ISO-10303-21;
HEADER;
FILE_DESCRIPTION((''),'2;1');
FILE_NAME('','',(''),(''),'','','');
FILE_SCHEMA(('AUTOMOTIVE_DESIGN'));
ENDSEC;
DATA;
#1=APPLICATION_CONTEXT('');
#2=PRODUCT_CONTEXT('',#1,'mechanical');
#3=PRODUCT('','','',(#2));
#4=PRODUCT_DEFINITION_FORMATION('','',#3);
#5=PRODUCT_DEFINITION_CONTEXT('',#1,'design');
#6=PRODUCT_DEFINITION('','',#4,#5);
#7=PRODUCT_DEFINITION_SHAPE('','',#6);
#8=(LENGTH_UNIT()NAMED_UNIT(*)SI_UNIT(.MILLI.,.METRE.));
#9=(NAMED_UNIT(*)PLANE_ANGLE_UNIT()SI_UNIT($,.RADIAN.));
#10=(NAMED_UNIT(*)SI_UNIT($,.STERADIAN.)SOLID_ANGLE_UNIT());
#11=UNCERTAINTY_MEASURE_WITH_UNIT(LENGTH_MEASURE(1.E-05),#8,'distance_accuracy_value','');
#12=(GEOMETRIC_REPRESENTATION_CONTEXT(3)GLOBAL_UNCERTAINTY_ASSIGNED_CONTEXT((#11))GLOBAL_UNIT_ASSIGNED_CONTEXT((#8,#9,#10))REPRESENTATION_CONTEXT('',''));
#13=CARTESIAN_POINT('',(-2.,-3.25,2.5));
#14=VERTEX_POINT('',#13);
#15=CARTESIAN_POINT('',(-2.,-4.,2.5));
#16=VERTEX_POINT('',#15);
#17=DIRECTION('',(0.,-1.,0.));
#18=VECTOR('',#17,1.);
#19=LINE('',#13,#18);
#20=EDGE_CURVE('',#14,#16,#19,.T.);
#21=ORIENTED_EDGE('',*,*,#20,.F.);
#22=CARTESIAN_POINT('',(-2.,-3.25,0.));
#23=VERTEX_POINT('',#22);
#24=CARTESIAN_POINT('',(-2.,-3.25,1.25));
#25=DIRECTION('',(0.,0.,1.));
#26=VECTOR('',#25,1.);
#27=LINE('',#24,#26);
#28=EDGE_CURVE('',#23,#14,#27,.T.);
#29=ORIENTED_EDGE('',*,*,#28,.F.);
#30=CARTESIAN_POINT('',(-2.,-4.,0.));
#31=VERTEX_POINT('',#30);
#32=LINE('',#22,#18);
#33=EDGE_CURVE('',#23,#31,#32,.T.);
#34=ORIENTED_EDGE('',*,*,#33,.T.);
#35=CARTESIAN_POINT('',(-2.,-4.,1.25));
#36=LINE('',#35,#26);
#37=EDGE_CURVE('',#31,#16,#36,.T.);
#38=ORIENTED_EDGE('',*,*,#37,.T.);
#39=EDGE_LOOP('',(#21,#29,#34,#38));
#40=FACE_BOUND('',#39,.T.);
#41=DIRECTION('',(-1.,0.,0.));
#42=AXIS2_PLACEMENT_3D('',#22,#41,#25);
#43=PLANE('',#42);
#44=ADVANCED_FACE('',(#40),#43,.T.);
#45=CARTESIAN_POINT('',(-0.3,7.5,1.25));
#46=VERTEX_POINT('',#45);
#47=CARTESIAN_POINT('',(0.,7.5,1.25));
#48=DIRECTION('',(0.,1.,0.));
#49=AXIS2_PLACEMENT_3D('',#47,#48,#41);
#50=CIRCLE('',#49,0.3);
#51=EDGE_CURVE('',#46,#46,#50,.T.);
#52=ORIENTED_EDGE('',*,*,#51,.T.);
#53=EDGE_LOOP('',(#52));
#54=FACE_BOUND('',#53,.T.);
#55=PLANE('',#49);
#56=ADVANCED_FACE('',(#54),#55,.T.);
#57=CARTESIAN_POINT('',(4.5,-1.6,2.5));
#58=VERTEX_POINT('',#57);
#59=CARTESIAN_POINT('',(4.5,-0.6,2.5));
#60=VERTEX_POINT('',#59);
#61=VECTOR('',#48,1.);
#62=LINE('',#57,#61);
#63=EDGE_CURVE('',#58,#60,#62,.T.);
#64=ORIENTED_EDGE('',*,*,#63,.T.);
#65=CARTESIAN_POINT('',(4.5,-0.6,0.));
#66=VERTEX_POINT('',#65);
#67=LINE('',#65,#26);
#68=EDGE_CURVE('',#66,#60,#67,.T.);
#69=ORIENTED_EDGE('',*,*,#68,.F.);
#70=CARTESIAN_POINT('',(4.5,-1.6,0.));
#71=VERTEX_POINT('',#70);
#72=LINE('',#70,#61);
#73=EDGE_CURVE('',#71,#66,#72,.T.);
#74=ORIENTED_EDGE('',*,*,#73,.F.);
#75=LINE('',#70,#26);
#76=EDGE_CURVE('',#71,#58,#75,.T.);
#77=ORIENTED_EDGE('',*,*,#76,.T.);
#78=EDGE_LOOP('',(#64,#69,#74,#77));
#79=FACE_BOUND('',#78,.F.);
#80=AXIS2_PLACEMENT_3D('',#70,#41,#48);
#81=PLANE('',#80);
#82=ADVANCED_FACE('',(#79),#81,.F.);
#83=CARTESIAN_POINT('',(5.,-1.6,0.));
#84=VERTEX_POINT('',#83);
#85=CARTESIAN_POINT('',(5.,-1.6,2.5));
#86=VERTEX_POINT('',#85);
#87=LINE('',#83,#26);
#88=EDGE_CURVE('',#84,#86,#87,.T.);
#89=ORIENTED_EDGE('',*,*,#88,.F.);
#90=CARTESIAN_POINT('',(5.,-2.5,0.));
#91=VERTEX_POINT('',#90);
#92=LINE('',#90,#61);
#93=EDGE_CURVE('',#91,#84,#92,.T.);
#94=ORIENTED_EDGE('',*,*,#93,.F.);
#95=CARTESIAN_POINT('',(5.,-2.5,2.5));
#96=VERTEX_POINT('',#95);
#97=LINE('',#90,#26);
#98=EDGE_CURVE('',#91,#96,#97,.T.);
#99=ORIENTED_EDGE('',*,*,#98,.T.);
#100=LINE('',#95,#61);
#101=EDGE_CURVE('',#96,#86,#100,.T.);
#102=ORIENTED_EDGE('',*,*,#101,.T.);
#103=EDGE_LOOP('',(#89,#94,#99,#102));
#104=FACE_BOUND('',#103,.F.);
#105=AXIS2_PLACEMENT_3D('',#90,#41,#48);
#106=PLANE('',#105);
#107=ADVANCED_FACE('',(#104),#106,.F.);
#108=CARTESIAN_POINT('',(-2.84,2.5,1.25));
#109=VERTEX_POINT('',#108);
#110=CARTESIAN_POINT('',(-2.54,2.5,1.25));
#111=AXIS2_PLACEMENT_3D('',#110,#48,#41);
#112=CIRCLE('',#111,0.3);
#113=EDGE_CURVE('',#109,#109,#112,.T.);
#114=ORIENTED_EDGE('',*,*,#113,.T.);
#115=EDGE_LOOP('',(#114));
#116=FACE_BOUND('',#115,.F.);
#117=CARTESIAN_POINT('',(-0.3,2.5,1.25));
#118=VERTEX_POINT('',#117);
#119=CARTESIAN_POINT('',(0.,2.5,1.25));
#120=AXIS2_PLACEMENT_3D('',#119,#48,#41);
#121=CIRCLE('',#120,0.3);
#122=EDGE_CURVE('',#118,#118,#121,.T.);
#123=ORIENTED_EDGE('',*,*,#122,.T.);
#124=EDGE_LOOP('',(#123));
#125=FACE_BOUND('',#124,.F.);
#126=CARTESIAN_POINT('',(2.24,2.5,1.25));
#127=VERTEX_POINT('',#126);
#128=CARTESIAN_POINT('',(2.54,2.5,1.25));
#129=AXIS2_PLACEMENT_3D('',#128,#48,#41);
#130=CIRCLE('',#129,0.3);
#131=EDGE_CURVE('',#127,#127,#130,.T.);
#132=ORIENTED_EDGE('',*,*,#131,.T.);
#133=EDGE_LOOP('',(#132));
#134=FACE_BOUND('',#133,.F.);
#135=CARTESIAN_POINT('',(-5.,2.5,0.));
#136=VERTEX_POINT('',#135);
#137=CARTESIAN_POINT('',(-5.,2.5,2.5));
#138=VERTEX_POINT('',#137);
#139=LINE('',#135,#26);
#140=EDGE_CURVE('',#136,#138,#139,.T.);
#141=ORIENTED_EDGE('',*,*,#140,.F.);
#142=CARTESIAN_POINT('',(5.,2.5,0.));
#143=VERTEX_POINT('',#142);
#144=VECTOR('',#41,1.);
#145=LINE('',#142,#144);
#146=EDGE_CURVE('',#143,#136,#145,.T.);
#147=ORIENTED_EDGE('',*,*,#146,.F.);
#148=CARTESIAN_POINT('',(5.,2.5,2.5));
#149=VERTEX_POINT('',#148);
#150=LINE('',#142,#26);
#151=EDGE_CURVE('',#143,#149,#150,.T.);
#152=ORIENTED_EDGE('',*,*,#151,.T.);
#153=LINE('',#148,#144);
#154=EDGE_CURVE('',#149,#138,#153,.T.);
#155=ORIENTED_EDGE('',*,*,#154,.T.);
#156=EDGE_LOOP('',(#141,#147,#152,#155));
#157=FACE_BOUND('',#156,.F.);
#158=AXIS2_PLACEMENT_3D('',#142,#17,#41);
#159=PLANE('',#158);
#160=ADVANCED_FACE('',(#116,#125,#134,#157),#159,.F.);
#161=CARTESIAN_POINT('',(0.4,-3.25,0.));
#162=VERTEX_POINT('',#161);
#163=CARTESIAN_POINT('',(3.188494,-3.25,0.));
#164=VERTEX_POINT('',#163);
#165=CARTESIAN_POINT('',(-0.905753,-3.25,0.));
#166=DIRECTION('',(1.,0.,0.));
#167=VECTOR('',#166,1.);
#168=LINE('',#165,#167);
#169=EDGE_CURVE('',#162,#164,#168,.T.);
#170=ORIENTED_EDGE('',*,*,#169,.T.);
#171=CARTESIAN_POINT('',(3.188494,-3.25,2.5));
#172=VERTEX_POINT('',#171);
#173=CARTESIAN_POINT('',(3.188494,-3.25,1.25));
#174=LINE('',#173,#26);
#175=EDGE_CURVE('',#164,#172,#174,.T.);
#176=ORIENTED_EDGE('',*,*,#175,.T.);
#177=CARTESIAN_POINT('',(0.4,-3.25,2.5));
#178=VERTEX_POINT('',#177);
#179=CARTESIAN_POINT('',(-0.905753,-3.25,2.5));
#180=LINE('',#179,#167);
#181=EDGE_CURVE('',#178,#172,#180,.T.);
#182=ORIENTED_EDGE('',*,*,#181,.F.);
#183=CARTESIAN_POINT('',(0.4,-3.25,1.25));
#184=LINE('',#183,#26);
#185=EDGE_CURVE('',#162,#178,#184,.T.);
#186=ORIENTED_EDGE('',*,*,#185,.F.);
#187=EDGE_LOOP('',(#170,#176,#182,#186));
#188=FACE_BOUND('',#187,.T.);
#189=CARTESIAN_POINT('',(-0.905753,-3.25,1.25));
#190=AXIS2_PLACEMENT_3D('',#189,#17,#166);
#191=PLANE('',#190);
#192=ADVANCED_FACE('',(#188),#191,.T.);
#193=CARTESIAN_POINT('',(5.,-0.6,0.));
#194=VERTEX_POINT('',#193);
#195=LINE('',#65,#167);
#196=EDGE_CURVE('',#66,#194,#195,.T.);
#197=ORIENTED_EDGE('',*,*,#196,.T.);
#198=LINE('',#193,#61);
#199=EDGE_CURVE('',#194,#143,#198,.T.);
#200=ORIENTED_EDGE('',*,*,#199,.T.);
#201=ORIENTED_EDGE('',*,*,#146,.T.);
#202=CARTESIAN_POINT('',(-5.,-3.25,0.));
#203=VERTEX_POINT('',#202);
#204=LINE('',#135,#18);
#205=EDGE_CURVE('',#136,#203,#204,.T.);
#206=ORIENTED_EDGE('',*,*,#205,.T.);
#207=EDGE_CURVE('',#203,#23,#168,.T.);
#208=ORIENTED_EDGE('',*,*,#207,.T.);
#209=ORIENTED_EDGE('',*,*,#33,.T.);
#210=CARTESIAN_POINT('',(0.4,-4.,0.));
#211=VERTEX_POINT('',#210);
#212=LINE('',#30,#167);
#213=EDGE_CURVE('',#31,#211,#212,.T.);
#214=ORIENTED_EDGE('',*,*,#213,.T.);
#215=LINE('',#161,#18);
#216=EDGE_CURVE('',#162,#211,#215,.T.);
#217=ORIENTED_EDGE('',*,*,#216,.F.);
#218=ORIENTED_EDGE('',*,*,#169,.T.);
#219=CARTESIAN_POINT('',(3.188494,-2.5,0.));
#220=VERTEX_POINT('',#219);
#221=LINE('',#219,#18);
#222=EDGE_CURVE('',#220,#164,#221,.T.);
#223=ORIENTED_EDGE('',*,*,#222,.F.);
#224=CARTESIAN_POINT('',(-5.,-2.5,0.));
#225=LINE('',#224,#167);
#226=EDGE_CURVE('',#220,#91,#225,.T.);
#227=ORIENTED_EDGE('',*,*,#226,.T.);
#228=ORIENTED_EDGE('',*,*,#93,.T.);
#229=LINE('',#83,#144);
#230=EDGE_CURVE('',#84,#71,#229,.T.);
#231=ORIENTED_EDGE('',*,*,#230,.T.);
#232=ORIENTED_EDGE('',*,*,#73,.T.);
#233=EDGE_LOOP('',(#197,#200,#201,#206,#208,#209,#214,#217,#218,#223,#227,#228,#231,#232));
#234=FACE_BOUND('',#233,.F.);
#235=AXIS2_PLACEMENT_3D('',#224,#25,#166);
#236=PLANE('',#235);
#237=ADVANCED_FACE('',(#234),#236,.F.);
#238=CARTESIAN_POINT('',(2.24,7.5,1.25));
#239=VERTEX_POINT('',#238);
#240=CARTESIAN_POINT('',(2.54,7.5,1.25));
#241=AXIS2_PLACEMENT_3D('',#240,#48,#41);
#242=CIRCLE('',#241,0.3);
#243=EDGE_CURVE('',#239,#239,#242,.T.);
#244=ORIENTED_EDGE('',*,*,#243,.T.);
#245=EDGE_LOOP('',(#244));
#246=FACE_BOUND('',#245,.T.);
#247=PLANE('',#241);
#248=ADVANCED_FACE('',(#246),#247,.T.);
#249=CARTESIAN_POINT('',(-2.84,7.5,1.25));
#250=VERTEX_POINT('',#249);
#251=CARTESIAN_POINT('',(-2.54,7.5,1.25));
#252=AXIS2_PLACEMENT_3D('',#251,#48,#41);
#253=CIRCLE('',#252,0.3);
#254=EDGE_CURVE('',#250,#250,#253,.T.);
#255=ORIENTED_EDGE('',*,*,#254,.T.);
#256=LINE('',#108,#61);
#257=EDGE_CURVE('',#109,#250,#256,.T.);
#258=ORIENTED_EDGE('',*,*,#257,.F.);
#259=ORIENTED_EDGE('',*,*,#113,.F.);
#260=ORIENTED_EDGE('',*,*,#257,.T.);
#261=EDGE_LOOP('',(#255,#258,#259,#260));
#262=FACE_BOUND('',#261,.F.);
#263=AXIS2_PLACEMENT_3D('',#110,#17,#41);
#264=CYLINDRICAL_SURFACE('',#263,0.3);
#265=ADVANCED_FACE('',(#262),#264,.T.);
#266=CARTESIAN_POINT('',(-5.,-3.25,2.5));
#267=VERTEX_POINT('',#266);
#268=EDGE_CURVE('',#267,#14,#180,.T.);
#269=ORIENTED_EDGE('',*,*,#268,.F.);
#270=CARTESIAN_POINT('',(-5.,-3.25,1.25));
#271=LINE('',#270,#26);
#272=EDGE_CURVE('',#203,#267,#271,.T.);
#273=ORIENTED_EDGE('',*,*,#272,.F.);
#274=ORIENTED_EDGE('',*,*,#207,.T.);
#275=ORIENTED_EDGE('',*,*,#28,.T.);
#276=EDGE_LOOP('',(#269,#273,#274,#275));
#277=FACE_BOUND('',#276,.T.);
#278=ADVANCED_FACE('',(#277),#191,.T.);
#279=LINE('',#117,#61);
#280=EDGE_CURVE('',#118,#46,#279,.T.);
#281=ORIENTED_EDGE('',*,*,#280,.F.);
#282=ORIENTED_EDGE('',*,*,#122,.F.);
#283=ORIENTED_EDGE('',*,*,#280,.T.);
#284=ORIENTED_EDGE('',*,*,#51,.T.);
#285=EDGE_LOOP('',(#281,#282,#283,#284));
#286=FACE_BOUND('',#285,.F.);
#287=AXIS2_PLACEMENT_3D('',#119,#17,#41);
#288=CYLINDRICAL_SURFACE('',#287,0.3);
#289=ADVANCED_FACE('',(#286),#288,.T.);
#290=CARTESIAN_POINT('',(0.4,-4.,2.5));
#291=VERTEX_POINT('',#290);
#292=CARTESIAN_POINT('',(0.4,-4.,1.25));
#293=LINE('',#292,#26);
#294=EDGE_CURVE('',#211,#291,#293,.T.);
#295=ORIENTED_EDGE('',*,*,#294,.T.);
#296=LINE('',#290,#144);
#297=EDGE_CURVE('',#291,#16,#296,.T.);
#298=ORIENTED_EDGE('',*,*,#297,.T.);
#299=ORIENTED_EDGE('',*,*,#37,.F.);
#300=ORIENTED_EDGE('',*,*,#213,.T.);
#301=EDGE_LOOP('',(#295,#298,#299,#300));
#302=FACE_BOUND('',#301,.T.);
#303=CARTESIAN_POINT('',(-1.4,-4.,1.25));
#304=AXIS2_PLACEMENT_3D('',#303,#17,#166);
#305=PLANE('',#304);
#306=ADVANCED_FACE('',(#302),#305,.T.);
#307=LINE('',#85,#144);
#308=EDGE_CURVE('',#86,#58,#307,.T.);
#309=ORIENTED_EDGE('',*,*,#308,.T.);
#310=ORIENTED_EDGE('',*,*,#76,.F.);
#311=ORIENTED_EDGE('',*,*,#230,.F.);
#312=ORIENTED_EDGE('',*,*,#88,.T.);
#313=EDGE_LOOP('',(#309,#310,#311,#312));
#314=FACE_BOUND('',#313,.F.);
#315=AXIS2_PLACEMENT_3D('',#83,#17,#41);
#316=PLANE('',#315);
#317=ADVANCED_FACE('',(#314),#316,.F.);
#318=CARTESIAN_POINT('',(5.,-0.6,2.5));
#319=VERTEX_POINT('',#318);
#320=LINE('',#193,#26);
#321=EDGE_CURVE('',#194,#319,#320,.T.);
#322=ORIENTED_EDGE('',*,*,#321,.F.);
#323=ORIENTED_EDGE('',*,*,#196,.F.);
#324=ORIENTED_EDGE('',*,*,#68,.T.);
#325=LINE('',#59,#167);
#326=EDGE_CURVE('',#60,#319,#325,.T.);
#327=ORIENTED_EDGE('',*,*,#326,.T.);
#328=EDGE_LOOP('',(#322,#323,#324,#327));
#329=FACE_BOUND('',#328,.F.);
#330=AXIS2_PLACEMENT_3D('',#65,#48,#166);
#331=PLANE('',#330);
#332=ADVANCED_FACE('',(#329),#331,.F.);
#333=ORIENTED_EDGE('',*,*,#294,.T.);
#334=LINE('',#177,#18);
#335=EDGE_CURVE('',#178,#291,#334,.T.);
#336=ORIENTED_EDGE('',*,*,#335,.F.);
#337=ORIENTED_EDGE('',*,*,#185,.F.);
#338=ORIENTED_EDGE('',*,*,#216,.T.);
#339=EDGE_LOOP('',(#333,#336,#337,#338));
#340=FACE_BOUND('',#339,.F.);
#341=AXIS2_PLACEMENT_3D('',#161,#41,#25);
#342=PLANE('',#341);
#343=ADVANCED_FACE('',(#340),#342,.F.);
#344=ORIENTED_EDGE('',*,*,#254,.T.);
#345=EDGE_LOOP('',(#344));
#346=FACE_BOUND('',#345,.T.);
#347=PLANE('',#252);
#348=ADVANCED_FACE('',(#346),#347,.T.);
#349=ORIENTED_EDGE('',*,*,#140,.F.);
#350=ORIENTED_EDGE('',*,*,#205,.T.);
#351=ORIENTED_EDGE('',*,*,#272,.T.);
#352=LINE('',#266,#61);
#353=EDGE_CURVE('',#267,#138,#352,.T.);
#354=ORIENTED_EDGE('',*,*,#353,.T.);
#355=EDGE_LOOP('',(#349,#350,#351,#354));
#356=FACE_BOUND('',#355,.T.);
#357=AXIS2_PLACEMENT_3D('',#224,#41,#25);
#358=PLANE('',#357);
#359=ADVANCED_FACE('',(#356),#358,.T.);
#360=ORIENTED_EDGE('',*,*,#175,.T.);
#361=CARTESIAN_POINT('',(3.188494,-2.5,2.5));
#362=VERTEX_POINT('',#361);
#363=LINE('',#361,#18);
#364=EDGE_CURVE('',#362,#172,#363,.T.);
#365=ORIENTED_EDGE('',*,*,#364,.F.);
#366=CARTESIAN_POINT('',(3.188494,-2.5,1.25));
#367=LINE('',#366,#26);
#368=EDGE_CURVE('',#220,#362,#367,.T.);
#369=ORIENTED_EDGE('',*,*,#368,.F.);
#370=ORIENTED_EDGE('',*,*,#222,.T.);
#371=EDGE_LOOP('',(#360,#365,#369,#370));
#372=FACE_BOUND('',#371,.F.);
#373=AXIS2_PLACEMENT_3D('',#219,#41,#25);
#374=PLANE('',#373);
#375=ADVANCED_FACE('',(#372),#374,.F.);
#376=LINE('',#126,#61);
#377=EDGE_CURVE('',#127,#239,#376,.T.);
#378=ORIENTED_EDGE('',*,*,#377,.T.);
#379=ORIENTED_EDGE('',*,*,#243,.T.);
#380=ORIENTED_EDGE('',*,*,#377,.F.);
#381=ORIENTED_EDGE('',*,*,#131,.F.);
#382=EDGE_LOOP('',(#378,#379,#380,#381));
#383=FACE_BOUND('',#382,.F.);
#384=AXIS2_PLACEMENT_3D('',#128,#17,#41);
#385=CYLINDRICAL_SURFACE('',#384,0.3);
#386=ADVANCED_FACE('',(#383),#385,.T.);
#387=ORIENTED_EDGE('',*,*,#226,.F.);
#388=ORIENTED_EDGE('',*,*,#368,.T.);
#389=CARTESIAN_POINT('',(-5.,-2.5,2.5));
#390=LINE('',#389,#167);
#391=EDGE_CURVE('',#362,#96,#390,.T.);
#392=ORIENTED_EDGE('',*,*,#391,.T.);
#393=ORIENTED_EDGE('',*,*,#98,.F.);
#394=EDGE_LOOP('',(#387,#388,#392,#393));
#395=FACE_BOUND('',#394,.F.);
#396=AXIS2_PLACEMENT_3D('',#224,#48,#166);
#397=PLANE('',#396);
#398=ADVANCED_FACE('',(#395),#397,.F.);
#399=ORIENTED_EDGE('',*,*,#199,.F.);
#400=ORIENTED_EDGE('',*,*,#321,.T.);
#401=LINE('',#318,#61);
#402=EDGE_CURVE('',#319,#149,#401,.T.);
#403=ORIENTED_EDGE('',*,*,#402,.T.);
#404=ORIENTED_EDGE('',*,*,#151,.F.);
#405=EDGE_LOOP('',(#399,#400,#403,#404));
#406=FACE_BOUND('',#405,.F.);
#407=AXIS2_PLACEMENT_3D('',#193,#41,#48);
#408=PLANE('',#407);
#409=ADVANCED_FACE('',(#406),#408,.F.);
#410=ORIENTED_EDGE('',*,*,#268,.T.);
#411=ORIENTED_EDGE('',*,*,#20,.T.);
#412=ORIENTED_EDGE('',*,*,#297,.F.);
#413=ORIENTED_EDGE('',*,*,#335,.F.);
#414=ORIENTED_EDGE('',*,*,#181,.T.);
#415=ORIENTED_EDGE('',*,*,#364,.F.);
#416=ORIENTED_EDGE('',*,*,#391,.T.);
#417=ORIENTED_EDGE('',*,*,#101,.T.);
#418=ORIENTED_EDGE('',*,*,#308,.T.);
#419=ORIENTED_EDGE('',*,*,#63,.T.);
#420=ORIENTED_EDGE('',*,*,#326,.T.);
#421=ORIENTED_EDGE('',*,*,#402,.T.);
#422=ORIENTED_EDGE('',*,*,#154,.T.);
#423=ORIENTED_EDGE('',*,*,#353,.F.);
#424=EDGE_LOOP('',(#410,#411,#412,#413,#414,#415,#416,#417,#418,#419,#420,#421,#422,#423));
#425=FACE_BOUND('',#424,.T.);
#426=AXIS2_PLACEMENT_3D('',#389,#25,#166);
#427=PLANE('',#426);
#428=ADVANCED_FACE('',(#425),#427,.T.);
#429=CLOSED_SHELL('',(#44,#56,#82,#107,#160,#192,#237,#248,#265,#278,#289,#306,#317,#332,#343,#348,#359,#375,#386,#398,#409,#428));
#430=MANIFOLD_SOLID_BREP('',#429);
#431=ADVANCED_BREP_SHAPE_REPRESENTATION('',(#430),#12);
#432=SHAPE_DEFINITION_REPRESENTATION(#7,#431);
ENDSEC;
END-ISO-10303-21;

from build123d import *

# Parameters (mm, degrees)
F1_DEPTH = 2.5
F2_W     = 8.188494
F2_H     = 2.5
F3_DEPTH = 0.75
F4_W     = 1.2
F4_H     = 2.5
F5_DEPTH = 0.75
F6_R     = 0.3
F7_DEPTH = 5


with BuildPart() as f1:
    # F0 (on Top) → F1 (new body)
    with BuildSketch(Plane.XY):
        Polygon((5, -0.6), (5, 2.5), (-5, 2.5), (-5, -2.5), (5, -2.5), (5, -1.6), (4.5, -1.6), (4.5, -0.6), align=None)
    extrude(amount=F1_DEPTH)

    # F2 (on face) → F3 (join)
    with BuildSketch(Plane.XZ.offset(2.5)):
        with Locations((-0.905753, 1.25)):
            Rectangle(F2_W, F2_H)
    extrude(amount=F3_DEPTH)

    # F4 (on face) → F5 (join)
    with BuildSketch(Plane.XZ.offset(3.25)):
        with Locations((-1.4, 1.25)):
            Rectangle(F4_W, F4_H)
        with Locations((-0.2, 1.25)):
            Rectangle(F4_W, F4_H)
    extrude(amount=F5_DEPTH)

    # F6 (on face) → F7 (join)
    with BuildSketch(Plane(origin=(0, 2.5, 0), x_dir=(-1, 0, 0), z_dir=(0, 1, 0))):
        with Locations((2.54, 1.25)):
            Circle(F6_R)
        with Locations((0, 1.25)):
            Circle(F6_R)
        with Locations((-2.54, 1.25)):
            Circle(F6_R)
    extrude(amount=F7_DEPTH)


solid = f1.part
